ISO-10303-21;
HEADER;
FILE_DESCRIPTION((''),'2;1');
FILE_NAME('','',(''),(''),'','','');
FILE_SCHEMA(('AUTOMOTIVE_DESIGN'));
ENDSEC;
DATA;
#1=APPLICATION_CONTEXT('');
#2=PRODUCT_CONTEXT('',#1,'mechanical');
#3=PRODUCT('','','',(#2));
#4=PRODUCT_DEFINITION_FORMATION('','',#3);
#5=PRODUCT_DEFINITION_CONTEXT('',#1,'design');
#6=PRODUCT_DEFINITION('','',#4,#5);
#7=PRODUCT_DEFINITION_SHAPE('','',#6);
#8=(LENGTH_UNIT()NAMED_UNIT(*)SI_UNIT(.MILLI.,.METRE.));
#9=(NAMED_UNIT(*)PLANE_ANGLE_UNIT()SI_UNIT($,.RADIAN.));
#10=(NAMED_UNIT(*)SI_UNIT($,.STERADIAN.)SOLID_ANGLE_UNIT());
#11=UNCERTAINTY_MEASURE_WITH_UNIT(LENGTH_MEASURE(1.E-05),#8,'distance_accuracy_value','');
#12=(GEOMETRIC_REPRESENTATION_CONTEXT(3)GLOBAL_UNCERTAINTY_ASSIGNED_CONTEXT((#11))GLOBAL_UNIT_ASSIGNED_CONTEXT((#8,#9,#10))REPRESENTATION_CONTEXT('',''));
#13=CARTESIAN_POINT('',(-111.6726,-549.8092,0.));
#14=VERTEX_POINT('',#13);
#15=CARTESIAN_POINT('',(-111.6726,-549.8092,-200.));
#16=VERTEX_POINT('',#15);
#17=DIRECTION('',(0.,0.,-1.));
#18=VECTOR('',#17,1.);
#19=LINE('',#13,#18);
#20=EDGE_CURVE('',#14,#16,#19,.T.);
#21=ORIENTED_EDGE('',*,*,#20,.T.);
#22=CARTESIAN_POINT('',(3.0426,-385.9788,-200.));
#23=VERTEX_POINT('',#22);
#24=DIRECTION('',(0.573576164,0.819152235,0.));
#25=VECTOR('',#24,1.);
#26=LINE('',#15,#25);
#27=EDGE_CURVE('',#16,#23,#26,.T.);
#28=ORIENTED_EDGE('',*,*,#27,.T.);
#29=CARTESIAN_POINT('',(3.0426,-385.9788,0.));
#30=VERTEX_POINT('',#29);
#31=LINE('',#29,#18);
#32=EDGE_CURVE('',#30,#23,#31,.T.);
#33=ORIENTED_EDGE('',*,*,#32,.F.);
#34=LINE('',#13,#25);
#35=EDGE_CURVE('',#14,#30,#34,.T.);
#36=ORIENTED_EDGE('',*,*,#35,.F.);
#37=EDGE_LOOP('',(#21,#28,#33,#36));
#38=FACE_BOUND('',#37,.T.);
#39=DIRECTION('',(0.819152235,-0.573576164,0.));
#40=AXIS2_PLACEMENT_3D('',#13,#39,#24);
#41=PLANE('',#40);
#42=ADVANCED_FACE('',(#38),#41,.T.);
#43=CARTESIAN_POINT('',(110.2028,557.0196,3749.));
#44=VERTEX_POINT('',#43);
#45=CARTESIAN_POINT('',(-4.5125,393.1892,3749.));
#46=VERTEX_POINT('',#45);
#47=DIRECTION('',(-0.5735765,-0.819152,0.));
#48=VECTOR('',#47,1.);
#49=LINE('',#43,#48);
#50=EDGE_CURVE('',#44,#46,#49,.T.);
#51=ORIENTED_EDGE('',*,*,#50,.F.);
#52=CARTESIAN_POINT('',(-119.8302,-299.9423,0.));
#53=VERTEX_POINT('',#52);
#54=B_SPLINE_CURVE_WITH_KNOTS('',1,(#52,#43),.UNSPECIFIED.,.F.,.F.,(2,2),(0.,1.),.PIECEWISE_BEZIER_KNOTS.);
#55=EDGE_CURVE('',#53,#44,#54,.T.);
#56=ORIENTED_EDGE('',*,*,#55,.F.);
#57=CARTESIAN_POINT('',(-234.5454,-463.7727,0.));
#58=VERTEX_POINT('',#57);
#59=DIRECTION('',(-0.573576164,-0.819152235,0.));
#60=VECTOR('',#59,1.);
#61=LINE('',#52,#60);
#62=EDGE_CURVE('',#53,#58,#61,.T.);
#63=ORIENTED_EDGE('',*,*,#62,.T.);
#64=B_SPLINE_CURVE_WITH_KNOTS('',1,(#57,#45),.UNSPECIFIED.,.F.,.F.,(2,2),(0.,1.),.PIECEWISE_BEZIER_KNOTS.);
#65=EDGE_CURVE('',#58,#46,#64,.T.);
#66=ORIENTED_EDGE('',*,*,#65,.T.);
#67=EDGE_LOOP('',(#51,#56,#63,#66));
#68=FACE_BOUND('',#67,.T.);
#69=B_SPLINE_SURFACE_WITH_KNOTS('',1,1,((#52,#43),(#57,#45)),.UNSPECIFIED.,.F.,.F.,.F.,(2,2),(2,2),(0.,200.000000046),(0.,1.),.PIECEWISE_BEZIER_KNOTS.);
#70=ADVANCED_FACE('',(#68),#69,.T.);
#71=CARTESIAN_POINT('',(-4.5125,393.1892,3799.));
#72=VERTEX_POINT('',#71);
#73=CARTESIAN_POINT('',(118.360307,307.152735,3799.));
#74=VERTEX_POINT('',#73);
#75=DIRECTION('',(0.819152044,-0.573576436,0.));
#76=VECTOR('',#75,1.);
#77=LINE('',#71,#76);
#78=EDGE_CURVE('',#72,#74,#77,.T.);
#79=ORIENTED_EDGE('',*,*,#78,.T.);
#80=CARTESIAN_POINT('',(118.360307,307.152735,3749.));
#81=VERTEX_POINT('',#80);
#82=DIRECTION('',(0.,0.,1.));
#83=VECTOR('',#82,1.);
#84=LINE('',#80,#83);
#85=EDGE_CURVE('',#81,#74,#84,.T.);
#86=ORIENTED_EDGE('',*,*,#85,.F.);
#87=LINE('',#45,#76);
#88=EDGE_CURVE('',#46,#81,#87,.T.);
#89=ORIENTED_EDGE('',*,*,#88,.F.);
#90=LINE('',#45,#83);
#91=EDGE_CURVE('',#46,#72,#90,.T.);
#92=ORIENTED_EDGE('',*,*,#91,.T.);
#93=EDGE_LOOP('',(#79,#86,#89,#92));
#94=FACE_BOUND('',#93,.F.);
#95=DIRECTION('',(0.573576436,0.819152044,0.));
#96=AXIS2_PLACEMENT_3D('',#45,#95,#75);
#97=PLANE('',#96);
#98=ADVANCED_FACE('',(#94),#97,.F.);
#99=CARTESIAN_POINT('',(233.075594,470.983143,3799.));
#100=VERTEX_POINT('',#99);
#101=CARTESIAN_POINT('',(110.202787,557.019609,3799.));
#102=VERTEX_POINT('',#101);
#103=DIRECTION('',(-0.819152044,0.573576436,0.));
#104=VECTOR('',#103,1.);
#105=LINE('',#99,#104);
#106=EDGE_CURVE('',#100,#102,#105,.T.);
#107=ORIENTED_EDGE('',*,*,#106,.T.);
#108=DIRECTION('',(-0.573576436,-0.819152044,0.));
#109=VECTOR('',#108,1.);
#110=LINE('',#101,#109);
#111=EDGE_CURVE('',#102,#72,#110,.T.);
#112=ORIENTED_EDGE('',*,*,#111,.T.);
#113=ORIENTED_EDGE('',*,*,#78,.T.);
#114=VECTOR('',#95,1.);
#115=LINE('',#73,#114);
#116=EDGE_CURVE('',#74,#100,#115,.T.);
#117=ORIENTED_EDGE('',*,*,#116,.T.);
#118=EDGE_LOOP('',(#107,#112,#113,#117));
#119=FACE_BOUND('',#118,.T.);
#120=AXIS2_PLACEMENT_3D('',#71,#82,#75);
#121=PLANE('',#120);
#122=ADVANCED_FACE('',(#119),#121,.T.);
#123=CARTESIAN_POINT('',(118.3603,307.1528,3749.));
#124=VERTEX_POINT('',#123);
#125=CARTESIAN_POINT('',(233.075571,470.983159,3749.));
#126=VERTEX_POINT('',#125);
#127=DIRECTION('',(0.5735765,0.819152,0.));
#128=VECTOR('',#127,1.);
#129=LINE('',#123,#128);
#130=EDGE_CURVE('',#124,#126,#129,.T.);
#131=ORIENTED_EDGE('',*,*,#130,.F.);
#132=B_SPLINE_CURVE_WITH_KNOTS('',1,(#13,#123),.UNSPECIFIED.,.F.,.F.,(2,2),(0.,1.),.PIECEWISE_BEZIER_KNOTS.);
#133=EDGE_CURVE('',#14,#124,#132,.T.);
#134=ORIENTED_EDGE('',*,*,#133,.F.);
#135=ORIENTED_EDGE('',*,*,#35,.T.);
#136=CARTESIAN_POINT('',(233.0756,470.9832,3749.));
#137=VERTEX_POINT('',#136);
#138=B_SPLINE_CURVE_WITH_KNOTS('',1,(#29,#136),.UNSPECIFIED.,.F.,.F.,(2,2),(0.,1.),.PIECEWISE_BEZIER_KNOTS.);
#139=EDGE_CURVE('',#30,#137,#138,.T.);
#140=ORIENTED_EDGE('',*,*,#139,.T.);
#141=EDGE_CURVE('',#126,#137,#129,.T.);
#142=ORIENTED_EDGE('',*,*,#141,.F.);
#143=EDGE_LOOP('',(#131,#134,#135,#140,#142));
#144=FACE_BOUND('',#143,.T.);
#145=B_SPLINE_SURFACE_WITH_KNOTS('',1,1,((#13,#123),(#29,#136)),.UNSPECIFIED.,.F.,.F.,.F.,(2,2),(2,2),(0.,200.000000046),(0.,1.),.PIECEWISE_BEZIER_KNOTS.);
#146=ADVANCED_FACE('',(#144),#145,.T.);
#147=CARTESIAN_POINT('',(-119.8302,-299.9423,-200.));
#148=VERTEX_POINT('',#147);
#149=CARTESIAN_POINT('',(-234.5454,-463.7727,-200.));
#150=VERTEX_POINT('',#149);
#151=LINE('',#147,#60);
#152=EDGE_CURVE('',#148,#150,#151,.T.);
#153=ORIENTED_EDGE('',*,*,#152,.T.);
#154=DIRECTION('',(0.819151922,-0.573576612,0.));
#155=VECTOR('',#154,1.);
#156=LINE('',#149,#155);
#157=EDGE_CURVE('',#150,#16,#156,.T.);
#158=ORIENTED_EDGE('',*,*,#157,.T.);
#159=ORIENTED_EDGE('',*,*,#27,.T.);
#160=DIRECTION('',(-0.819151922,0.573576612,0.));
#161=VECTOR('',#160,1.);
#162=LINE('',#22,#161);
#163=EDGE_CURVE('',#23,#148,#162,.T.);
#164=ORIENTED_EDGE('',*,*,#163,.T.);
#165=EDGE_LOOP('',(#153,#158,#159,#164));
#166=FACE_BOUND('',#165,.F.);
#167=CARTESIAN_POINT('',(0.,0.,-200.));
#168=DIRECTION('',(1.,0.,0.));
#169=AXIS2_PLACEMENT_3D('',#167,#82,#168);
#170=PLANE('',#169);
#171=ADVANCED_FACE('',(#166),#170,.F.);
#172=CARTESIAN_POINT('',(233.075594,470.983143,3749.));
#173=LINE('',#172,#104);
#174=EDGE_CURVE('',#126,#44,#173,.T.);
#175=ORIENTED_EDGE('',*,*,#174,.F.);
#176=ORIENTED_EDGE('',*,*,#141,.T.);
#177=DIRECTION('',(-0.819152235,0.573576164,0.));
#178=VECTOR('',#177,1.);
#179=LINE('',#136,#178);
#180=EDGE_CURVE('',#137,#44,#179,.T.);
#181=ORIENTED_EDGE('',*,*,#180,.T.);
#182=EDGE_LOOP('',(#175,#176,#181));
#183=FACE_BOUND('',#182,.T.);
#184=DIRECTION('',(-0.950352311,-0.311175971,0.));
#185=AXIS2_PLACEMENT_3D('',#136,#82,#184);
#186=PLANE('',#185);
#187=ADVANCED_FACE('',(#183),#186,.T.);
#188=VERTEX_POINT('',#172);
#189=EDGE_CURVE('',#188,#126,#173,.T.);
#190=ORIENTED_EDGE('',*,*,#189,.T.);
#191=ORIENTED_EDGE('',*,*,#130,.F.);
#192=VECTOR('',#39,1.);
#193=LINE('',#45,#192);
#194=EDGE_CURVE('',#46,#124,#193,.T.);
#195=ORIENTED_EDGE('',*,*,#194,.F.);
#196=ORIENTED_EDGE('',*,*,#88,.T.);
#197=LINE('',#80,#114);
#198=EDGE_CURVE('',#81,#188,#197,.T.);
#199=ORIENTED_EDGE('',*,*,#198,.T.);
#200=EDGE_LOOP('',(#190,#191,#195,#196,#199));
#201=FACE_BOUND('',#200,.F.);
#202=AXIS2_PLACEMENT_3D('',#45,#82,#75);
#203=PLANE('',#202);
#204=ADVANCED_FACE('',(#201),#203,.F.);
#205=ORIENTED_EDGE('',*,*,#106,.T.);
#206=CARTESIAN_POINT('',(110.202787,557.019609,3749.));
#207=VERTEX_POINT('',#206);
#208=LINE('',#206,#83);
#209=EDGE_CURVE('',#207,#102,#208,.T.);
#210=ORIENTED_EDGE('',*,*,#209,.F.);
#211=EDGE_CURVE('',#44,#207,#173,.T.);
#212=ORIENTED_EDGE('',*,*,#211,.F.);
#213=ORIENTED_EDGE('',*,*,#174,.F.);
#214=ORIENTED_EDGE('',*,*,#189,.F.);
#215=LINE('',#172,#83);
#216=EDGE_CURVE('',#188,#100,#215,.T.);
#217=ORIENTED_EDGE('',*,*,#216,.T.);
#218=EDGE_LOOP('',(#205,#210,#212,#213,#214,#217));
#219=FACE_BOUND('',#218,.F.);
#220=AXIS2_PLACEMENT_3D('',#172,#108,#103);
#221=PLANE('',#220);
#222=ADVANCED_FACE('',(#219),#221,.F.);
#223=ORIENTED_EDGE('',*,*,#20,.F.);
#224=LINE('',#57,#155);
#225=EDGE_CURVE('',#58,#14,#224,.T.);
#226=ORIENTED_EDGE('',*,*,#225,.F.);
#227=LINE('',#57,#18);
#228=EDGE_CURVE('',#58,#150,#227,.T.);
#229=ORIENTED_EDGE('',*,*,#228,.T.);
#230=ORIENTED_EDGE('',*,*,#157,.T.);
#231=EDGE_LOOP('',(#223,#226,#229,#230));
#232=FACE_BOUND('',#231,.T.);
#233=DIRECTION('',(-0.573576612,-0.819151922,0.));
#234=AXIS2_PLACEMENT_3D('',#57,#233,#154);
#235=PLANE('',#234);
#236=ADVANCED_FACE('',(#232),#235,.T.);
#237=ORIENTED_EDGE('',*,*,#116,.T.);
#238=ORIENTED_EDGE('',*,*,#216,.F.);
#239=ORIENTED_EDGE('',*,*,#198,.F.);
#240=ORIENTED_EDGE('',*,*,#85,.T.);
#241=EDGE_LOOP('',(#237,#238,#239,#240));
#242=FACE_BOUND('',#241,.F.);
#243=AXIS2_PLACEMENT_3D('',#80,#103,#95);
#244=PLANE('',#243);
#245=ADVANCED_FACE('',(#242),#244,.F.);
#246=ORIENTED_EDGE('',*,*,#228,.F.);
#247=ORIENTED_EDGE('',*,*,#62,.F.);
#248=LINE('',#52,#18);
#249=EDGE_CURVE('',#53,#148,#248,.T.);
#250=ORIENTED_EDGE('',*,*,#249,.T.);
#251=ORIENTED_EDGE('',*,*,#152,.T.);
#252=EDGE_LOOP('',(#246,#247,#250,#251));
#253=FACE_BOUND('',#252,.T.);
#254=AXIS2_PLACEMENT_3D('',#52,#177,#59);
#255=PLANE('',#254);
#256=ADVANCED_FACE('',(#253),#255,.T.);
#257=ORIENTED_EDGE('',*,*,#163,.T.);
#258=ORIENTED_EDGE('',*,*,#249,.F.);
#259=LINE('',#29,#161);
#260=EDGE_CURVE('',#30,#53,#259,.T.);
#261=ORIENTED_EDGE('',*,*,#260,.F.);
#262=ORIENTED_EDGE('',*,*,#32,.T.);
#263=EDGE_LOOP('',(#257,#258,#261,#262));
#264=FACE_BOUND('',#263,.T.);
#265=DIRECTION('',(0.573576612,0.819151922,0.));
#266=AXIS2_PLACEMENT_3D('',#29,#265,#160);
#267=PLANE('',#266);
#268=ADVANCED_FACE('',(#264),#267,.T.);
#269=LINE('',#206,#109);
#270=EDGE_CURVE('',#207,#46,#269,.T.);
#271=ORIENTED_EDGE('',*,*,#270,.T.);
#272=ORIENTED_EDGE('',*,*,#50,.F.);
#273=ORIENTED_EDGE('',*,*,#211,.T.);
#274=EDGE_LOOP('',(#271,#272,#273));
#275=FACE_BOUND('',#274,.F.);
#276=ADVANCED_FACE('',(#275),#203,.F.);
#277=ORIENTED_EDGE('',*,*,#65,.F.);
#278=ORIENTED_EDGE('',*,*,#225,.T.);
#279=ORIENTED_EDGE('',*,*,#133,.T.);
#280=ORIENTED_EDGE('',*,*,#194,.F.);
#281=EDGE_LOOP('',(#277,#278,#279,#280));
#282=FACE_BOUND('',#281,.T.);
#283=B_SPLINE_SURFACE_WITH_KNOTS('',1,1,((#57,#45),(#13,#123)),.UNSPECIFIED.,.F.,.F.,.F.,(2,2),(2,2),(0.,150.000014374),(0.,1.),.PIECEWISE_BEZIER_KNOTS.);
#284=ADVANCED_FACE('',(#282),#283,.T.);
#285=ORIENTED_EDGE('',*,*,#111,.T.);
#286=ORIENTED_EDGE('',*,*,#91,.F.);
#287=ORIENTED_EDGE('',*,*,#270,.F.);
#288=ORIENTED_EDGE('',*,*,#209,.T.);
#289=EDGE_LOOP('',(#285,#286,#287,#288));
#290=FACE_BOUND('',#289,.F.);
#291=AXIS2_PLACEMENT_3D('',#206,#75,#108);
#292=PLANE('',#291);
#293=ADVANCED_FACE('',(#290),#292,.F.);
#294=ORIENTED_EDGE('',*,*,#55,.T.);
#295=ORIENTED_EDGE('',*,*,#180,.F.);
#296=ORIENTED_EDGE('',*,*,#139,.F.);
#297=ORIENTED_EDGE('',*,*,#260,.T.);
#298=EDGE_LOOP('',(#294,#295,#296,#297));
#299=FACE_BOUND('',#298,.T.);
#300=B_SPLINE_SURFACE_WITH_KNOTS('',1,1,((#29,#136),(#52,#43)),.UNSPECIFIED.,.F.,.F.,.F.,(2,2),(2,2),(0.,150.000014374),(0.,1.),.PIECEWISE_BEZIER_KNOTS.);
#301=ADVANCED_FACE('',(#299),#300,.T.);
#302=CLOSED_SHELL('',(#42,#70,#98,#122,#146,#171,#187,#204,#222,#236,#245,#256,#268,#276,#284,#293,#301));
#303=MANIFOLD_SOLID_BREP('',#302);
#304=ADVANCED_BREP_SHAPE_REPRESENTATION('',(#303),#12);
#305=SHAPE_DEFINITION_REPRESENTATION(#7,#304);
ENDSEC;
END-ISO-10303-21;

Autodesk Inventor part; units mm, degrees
ref_plane "YZ Plane" through (0, 0, 0) normal (1, 0, 0) x (0, 1, 0)
ref_plane "XZ Plane" through (0, 0, 0) normal (0, 1, 0) x (-1, 0, 0)
sketch "Sketch1" plane through (0, 0, 0) normal (0, 0, 1) x (1, 0, 0)
  line L0 (-119.8302, -299.9423) -> (-234.5454, -463.7727)
  line L1 (3.0426, -385.9788) -> (-119.8302, -299.9423)
  line L2 (-111.6726, -549.8092) -> (3.0426, -385.9788)
  line L3 (-234.5454, -463.7727) -> (-111.6726, -549.8092)
  point P0 (0, 0)
ref_plane "Work Plane2" through (0, 0, 3749) normal (0, 0, 1) x (1, 0, 0)
ref_plane "Work Plane1" through (0, 0, 0) normal (0, 0, 1) x (1, 0, 0)
sketch "Sketch2" plane through (0, 0, 3749) normal (0, 0, 1) x (1, 0, 0)
  line L0 (110.2028, 557.0196) -> (-4.5125, 393.1892) projected
  line L1 (233.0756, 470.9832) -> (110.2028, 557.0196) projected
  line L2 (118.3603, 307.1528) -> (233.0756, 470.9832) projected
  line L3 (-4.5125, 393.1892) -> (118.3603, 307.1528) projected
  point P0 (0, 0)
loft "Loft1" add profiles "Sketch1", "Sketch2"
sketch "Sketch3" plane through (0, 0, 0) normal (0, 0, 1) x (1, 0, 0)
  line L0 (-119.8302, -299.9423) -> (-234.5454, -463.7727) projected
  line L1 (3.0426, -385.9788) -> (-119.8302, -299.9423) projected
  line L2 (-111.6726, -549.8092) -> (3.0426, -385.9788) projected
  line L3 (-234.5454, -463.7727) -> (-111.6726, -549.8092) projected
  point P0 (0, 0)
sketch "Sketch4" plane through (-4.5125, 393.1892, 3749) normal (0, 0, 1) x (0.8192, -0.5736, 0)
  line L0 (0, 200) -> (0, 0) projected
  line L1 (0, 0) -> (150, 0) projected
  line L2 (150, 0) -> (150, 200) projected
  line L3 (150, 200) -> (0, 200) projected
  point P0 (229.2205, -319.4935)
extrude "Extrusion1" add sketch "Sketch3" against normal blind 200
extrude "Extrusion2" add sketch "Sketch4" along normal blind 50
properties part number "support_beam_segment_0102" material "Wood Shake"
